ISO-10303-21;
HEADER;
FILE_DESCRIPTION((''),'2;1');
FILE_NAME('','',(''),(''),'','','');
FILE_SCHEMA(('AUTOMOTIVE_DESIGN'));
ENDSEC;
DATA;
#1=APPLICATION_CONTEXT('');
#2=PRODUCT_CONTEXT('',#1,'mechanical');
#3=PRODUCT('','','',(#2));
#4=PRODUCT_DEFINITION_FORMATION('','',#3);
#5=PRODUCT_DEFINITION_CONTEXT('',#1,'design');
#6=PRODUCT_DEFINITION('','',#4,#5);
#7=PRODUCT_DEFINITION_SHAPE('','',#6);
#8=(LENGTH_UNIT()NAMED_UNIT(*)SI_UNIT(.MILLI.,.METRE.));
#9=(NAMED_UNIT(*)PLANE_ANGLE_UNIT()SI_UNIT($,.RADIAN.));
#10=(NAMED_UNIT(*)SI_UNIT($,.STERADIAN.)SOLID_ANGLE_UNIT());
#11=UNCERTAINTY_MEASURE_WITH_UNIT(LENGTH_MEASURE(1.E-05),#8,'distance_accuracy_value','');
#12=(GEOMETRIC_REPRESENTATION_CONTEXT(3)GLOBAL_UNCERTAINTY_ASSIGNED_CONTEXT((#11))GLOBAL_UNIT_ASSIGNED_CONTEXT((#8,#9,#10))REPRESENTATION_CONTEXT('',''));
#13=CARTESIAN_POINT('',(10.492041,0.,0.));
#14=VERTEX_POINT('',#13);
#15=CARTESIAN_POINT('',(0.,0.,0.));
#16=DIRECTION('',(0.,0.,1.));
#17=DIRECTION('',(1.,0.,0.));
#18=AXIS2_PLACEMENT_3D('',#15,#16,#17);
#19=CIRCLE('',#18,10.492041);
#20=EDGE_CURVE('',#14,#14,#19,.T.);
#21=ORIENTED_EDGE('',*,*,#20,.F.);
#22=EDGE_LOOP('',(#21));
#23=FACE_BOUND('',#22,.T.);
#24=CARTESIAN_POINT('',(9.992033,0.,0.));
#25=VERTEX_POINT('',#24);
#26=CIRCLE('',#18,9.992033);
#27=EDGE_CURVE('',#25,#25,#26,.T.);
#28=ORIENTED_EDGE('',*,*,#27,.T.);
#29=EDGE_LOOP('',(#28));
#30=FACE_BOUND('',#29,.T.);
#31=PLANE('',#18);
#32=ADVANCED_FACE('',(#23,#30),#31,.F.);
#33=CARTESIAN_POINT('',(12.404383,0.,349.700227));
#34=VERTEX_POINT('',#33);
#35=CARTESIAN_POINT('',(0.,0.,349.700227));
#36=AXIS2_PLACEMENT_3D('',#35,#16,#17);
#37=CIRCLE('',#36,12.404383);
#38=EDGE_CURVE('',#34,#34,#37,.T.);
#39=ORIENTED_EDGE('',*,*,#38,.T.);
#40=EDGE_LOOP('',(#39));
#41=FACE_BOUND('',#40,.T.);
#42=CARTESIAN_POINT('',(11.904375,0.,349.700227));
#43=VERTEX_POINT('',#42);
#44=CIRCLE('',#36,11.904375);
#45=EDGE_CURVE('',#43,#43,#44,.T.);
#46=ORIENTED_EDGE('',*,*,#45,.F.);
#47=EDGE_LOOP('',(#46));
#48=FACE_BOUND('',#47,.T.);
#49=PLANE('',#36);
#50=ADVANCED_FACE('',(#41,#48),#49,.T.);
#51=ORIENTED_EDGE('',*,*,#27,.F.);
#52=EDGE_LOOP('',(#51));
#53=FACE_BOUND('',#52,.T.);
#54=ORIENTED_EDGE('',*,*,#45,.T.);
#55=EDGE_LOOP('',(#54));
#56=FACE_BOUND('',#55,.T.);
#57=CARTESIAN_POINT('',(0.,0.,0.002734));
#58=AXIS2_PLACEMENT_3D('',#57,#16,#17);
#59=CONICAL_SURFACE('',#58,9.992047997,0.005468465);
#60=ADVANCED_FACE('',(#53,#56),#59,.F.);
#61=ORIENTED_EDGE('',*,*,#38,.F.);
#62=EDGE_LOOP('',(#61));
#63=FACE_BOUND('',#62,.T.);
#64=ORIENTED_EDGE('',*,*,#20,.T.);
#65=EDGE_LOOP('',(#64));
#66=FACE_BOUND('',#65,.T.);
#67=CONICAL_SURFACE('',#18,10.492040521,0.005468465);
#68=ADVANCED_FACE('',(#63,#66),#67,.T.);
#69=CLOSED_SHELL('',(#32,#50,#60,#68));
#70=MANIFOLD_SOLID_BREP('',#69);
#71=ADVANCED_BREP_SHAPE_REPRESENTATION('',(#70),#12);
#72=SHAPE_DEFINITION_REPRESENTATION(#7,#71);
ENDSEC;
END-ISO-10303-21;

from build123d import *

# Parameters (mm, degrees)
SKETCH1_R = 10.492040521
SKETCH2_R = 12.404382882
SHELL1_T  = -0.5


with BuildPart() as part:
    # Sketch1 → Loft1 section 0
    with BuildSketch(Plane.XY):
        Circle(SKETCH1_R)
    # Sketch2 → Loft1 section 1
    with BuildSketch(Plane.XY.offset(349.70022741)):
        Circle(SKETCH2_R)
    loft()

    # Shell1
    shell1_openings = [part.faces().sort_by_distance(p)[0] for p in [
        (0, 0, 349.70022741),
        (0, 0, 0),
    ]]
    offset(amount=SHELL1_T, openings=shell1_openings, kind=Kind.INTERSECTION)


solid = part.part
